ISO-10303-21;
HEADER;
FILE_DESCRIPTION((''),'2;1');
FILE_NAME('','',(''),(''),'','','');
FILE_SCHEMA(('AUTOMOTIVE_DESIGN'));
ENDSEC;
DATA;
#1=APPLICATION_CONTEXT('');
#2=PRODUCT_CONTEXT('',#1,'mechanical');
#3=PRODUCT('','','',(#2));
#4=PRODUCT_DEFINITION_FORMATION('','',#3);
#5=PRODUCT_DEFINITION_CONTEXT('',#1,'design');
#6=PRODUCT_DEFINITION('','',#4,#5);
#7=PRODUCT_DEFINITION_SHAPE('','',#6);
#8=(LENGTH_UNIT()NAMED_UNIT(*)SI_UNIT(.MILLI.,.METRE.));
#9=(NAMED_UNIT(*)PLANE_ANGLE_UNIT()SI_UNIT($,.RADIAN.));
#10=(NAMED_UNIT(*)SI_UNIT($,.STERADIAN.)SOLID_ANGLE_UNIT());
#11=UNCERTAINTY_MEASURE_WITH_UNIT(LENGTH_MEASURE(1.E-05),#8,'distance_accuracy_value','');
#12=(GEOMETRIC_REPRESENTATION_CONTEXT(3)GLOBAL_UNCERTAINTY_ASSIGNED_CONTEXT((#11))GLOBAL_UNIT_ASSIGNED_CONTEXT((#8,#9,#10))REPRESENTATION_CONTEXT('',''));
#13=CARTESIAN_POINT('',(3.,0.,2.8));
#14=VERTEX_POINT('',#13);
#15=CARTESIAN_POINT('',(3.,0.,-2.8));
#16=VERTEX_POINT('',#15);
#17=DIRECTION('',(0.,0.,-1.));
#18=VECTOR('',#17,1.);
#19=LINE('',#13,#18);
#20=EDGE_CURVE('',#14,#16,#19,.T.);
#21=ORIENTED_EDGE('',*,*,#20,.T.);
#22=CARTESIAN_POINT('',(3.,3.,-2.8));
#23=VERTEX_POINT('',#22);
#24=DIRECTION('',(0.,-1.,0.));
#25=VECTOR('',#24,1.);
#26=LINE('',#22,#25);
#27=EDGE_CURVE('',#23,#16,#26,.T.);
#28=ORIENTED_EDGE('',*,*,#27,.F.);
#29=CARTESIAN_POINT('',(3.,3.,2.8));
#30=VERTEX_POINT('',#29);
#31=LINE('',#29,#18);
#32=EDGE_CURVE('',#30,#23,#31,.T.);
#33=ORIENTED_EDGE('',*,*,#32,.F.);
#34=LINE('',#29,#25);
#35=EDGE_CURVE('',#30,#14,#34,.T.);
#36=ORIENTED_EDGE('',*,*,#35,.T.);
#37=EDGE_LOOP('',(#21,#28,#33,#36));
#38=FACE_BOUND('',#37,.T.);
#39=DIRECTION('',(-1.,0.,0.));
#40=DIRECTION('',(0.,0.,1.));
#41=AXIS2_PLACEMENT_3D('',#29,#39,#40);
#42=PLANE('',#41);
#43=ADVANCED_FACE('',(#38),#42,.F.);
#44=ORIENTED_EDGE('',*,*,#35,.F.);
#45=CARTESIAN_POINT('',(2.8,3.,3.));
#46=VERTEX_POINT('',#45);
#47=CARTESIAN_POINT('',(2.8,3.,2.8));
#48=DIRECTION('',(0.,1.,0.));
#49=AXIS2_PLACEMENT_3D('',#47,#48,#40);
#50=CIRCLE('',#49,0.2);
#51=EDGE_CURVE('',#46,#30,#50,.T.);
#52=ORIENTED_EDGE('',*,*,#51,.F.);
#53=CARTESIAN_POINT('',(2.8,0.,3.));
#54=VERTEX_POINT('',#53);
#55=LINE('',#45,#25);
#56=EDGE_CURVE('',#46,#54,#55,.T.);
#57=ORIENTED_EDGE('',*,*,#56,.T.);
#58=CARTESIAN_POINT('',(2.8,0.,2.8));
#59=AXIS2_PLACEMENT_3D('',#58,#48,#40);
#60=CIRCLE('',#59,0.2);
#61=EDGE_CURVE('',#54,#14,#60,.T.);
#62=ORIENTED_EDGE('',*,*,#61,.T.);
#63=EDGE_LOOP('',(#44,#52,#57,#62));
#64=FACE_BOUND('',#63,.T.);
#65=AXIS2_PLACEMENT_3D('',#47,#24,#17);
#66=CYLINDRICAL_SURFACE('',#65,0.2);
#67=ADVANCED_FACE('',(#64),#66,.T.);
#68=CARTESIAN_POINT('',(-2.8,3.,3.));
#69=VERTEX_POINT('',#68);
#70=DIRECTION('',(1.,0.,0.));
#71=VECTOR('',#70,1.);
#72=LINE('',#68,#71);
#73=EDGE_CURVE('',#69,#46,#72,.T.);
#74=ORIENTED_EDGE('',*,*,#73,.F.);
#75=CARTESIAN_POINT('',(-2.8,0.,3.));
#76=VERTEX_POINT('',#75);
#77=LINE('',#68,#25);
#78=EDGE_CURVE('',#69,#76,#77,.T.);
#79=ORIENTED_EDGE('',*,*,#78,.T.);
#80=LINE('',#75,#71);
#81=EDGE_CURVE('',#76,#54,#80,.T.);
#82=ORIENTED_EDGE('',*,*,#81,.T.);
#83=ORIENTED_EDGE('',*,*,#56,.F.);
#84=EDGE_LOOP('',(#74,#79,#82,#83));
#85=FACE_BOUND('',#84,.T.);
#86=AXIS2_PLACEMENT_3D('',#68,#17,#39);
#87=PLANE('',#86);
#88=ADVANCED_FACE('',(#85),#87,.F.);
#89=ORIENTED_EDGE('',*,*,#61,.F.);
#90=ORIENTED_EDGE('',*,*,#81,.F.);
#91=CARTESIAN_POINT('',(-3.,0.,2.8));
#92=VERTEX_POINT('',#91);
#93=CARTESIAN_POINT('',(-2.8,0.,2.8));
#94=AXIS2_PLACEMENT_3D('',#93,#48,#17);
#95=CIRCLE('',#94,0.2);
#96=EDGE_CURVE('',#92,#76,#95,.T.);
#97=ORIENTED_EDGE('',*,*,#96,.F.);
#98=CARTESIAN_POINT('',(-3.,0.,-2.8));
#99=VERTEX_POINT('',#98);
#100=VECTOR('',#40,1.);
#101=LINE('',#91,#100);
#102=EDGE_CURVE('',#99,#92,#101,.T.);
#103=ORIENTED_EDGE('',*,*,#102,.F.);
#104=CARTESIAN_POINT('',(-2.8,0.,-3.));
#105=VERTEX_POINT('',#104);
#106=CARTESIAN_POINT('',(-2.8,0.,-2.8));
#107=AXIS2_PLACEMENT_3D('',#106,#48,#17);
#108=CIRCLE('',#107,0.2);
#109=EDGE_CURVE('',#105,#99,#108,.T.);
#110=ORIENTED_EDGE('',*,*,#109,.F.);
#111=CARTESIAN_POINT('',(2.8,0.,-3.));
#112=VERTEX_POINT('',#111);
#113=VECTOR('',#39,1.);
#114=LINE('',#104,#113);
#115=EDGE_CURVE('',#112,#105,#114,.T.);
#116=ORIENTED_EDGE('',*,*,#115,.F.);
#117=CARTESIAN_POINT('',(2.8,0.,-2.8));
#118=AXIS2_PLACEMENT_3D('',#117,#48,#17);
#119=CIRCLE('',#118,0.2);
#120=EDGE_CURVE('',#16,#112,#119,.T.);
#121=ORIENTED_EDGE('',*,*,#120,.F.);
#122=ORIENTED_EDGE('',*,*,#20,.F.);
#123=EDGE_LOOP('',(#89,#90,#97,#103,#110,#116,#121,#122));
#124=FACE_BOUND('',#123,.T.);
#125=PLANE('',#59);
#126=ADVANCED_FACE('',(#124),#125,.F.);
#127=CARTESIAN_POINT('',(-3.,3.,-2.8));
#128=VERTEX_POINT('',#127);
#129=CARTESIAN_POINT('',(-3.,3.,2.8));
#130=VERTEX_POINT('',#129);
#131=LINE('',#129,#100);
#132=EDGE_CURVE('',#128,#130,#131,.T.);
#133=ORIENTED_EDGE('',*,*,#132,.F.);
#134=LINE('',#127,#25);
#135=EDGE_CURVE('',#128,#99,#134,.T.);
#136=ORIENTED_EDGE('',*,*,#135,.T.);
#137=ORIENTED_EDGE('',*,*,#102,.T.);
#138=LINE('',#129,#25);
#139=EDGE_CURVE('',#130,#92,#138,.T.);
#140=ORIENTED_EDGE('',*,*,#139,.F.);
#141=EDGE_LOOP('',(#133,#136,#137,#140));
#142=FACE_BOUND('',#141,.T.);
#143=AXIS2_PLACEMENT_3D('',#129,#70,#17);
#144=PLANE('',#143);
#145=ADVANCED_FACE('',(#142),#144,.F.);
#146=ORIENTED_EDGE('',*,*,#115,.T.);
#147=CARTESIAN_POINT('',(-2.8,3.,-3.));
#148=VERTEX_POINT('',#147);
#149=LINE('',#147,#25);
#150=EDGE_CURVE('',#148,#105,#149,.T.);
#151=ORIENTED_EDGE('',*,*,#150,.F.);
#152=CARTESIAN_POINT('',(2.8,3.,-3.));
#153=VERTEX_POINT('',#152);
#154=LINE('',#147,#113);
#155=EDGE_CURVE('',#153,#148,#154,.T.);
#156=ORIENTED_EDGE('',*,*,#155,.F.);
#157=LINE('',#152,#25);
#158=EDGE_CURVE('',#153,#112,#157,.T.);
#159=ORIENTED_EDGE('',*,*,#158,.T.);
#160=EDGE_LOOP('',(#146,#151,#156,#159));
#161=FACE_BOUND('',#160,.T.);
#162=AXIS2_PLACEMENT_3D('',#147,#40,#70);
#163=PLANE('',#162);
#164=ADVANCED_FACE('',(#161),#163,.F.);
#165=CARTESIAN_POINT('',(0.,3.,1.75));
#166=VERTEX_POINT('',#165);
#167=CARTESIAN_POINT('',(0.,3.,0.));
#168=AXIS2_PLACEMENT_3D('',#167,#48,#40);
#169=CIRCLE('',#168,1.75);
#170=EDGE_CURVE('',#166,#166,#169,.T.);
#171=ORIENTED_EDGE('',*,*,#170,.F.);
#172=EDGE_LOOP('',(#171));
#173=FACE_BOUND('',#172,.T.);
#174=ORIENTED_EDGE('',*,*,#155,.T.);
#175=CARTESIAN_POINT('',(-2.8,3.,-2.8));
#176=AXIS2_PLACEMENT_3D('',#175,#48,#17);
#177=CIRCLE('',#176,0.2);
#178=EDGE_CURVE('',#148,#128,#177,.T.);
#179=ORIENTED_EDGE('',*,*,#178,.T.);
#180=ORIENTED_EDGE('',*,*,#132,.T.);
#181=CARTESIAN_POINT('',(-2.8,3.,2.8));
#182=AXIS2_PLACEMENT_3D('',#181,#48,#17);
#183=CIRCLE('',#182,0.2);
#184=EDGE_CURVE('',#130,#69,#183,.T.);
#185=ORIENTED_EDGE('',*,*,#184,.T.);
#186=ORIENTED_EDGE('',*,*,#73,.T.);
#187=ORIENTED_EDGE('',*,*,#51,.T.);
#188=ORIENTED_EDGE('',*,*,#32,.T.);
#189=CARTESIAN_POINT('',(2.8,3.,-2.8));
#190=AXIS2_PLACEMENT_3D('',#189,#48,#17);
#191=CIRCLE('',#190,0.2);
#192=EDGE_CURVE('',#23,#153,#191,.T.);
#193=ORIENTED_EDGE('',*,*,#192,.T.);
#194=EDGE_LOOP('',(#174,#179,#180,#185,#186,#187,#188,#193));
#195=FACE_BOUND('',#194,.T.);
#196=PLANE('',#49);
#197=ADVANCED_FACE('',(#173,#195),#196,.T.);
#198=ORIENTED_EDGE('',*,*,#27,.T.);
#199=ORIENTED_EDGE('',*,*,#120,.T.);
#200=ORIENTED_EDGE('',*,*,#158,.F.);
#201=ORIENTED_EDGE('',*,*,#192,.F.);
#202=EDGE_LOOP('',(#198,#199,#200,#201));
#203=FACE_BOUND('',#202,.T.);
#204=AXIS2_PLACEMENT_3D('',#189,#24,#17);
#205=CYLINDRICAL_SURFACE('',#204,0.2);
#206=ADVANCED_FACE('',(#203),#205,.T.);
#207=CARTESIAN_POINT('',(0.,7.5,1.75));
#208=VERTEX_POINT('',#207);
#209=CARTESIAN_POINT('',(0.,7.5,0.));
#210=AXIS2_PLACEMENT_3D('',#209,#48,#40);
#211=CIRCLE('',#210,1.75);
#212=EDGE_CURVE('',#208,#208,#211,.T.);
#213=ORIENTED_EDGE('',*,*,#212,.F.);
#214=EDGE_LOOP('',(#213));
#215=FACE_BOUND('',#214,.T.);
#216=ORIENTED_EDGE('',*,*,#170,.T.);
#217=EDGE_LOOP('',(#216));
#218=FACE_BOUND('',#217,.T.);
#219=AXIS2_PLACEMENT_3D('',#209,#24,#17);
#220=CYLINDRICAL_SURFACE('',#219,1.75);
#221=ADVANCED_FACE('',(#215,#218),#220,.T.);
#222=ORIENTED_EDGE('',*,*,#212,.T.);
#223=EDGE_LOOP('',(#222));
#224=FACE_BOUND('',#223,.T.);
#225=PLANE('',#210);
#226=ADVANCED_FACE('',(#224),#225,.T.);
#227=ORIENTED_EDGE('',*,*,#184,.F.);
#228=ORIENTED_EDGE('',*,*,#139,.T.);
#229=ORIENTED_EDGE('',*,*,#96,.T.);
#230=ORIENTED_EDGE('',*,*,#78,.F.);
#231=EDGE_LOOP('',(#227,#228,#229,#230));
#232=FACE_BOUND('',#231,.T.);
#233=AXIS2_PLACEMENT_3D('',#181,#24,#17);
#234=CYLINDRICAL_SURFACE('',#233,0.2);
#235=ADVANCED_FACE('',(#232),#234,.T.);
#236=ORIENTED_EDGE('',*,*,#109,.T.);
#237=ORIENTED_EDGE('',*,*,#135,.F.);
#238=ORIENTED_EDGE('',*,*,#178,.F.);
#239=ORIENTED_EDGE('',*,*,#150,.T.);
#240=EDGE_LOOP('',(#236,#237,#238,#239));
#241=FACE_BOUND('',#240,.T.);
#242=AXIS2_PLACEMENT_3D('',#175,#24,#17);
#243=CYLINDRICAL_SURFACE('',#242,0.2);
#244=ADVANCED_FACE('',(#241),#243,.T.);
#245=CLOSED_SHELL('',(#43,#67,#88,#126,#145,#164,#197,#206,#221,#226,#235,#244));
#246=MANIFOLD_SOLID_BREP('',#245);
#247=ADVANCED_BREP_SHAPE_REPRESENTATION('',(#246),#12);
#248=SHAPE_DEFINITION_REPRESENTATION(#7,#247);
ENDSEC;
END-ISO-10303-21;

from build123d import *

# Parameters (mm, degrees)
EXTRUDE_1_DEPTH = 3
SKETCH_2_R      = 1.75
EXTRUDE_2_DEPTH = 4.5


with BuildPart() as part:
    # 草图1 → 凸台-拉伸1 (new body)
    with BuildSketch(Plane(origin=(0, 0, 0), x_dir=(1, 0, 0), z_dir=(0, 1, 0))):
        with BuildLine():
            Line((-2.8, -3), (2.8, -3))
            ThreePointArc((2.8, -3), (2.941421356, -2.941421356), (3, -2.8))
            Line((3, -2.8), (3, 2.8))
            ThreePointArc((3, 2.8), (2.941421356, 2.941421356), (2.8, 3))
            Line((2.8, 3), (-2.8, 3))
            ThreePointArc((-2.8, 3), (-2.941421356, 2.941421356), (-3, 2.8))
            Line((-3, 2.8), (-3, -2.8))
            ThreePointArc((-3, -2.8), (-2.941421356, -2.941421356), (-2.8, -3))
        make_face()
    extrude(amount=EXTRUDE_1_DEPTH)

    # 草图2 → 凸台-拉伸2 (add)
    with BuildSketch(Plane(origin=(0, 3, 0), x_dir=(1, 0, 0), z_dir=(0, 1, 0))):
        Circle(SKETCH_2_R)
    extrude(amount=EXTRUDE_2_DEPTH)


solid = part.part
